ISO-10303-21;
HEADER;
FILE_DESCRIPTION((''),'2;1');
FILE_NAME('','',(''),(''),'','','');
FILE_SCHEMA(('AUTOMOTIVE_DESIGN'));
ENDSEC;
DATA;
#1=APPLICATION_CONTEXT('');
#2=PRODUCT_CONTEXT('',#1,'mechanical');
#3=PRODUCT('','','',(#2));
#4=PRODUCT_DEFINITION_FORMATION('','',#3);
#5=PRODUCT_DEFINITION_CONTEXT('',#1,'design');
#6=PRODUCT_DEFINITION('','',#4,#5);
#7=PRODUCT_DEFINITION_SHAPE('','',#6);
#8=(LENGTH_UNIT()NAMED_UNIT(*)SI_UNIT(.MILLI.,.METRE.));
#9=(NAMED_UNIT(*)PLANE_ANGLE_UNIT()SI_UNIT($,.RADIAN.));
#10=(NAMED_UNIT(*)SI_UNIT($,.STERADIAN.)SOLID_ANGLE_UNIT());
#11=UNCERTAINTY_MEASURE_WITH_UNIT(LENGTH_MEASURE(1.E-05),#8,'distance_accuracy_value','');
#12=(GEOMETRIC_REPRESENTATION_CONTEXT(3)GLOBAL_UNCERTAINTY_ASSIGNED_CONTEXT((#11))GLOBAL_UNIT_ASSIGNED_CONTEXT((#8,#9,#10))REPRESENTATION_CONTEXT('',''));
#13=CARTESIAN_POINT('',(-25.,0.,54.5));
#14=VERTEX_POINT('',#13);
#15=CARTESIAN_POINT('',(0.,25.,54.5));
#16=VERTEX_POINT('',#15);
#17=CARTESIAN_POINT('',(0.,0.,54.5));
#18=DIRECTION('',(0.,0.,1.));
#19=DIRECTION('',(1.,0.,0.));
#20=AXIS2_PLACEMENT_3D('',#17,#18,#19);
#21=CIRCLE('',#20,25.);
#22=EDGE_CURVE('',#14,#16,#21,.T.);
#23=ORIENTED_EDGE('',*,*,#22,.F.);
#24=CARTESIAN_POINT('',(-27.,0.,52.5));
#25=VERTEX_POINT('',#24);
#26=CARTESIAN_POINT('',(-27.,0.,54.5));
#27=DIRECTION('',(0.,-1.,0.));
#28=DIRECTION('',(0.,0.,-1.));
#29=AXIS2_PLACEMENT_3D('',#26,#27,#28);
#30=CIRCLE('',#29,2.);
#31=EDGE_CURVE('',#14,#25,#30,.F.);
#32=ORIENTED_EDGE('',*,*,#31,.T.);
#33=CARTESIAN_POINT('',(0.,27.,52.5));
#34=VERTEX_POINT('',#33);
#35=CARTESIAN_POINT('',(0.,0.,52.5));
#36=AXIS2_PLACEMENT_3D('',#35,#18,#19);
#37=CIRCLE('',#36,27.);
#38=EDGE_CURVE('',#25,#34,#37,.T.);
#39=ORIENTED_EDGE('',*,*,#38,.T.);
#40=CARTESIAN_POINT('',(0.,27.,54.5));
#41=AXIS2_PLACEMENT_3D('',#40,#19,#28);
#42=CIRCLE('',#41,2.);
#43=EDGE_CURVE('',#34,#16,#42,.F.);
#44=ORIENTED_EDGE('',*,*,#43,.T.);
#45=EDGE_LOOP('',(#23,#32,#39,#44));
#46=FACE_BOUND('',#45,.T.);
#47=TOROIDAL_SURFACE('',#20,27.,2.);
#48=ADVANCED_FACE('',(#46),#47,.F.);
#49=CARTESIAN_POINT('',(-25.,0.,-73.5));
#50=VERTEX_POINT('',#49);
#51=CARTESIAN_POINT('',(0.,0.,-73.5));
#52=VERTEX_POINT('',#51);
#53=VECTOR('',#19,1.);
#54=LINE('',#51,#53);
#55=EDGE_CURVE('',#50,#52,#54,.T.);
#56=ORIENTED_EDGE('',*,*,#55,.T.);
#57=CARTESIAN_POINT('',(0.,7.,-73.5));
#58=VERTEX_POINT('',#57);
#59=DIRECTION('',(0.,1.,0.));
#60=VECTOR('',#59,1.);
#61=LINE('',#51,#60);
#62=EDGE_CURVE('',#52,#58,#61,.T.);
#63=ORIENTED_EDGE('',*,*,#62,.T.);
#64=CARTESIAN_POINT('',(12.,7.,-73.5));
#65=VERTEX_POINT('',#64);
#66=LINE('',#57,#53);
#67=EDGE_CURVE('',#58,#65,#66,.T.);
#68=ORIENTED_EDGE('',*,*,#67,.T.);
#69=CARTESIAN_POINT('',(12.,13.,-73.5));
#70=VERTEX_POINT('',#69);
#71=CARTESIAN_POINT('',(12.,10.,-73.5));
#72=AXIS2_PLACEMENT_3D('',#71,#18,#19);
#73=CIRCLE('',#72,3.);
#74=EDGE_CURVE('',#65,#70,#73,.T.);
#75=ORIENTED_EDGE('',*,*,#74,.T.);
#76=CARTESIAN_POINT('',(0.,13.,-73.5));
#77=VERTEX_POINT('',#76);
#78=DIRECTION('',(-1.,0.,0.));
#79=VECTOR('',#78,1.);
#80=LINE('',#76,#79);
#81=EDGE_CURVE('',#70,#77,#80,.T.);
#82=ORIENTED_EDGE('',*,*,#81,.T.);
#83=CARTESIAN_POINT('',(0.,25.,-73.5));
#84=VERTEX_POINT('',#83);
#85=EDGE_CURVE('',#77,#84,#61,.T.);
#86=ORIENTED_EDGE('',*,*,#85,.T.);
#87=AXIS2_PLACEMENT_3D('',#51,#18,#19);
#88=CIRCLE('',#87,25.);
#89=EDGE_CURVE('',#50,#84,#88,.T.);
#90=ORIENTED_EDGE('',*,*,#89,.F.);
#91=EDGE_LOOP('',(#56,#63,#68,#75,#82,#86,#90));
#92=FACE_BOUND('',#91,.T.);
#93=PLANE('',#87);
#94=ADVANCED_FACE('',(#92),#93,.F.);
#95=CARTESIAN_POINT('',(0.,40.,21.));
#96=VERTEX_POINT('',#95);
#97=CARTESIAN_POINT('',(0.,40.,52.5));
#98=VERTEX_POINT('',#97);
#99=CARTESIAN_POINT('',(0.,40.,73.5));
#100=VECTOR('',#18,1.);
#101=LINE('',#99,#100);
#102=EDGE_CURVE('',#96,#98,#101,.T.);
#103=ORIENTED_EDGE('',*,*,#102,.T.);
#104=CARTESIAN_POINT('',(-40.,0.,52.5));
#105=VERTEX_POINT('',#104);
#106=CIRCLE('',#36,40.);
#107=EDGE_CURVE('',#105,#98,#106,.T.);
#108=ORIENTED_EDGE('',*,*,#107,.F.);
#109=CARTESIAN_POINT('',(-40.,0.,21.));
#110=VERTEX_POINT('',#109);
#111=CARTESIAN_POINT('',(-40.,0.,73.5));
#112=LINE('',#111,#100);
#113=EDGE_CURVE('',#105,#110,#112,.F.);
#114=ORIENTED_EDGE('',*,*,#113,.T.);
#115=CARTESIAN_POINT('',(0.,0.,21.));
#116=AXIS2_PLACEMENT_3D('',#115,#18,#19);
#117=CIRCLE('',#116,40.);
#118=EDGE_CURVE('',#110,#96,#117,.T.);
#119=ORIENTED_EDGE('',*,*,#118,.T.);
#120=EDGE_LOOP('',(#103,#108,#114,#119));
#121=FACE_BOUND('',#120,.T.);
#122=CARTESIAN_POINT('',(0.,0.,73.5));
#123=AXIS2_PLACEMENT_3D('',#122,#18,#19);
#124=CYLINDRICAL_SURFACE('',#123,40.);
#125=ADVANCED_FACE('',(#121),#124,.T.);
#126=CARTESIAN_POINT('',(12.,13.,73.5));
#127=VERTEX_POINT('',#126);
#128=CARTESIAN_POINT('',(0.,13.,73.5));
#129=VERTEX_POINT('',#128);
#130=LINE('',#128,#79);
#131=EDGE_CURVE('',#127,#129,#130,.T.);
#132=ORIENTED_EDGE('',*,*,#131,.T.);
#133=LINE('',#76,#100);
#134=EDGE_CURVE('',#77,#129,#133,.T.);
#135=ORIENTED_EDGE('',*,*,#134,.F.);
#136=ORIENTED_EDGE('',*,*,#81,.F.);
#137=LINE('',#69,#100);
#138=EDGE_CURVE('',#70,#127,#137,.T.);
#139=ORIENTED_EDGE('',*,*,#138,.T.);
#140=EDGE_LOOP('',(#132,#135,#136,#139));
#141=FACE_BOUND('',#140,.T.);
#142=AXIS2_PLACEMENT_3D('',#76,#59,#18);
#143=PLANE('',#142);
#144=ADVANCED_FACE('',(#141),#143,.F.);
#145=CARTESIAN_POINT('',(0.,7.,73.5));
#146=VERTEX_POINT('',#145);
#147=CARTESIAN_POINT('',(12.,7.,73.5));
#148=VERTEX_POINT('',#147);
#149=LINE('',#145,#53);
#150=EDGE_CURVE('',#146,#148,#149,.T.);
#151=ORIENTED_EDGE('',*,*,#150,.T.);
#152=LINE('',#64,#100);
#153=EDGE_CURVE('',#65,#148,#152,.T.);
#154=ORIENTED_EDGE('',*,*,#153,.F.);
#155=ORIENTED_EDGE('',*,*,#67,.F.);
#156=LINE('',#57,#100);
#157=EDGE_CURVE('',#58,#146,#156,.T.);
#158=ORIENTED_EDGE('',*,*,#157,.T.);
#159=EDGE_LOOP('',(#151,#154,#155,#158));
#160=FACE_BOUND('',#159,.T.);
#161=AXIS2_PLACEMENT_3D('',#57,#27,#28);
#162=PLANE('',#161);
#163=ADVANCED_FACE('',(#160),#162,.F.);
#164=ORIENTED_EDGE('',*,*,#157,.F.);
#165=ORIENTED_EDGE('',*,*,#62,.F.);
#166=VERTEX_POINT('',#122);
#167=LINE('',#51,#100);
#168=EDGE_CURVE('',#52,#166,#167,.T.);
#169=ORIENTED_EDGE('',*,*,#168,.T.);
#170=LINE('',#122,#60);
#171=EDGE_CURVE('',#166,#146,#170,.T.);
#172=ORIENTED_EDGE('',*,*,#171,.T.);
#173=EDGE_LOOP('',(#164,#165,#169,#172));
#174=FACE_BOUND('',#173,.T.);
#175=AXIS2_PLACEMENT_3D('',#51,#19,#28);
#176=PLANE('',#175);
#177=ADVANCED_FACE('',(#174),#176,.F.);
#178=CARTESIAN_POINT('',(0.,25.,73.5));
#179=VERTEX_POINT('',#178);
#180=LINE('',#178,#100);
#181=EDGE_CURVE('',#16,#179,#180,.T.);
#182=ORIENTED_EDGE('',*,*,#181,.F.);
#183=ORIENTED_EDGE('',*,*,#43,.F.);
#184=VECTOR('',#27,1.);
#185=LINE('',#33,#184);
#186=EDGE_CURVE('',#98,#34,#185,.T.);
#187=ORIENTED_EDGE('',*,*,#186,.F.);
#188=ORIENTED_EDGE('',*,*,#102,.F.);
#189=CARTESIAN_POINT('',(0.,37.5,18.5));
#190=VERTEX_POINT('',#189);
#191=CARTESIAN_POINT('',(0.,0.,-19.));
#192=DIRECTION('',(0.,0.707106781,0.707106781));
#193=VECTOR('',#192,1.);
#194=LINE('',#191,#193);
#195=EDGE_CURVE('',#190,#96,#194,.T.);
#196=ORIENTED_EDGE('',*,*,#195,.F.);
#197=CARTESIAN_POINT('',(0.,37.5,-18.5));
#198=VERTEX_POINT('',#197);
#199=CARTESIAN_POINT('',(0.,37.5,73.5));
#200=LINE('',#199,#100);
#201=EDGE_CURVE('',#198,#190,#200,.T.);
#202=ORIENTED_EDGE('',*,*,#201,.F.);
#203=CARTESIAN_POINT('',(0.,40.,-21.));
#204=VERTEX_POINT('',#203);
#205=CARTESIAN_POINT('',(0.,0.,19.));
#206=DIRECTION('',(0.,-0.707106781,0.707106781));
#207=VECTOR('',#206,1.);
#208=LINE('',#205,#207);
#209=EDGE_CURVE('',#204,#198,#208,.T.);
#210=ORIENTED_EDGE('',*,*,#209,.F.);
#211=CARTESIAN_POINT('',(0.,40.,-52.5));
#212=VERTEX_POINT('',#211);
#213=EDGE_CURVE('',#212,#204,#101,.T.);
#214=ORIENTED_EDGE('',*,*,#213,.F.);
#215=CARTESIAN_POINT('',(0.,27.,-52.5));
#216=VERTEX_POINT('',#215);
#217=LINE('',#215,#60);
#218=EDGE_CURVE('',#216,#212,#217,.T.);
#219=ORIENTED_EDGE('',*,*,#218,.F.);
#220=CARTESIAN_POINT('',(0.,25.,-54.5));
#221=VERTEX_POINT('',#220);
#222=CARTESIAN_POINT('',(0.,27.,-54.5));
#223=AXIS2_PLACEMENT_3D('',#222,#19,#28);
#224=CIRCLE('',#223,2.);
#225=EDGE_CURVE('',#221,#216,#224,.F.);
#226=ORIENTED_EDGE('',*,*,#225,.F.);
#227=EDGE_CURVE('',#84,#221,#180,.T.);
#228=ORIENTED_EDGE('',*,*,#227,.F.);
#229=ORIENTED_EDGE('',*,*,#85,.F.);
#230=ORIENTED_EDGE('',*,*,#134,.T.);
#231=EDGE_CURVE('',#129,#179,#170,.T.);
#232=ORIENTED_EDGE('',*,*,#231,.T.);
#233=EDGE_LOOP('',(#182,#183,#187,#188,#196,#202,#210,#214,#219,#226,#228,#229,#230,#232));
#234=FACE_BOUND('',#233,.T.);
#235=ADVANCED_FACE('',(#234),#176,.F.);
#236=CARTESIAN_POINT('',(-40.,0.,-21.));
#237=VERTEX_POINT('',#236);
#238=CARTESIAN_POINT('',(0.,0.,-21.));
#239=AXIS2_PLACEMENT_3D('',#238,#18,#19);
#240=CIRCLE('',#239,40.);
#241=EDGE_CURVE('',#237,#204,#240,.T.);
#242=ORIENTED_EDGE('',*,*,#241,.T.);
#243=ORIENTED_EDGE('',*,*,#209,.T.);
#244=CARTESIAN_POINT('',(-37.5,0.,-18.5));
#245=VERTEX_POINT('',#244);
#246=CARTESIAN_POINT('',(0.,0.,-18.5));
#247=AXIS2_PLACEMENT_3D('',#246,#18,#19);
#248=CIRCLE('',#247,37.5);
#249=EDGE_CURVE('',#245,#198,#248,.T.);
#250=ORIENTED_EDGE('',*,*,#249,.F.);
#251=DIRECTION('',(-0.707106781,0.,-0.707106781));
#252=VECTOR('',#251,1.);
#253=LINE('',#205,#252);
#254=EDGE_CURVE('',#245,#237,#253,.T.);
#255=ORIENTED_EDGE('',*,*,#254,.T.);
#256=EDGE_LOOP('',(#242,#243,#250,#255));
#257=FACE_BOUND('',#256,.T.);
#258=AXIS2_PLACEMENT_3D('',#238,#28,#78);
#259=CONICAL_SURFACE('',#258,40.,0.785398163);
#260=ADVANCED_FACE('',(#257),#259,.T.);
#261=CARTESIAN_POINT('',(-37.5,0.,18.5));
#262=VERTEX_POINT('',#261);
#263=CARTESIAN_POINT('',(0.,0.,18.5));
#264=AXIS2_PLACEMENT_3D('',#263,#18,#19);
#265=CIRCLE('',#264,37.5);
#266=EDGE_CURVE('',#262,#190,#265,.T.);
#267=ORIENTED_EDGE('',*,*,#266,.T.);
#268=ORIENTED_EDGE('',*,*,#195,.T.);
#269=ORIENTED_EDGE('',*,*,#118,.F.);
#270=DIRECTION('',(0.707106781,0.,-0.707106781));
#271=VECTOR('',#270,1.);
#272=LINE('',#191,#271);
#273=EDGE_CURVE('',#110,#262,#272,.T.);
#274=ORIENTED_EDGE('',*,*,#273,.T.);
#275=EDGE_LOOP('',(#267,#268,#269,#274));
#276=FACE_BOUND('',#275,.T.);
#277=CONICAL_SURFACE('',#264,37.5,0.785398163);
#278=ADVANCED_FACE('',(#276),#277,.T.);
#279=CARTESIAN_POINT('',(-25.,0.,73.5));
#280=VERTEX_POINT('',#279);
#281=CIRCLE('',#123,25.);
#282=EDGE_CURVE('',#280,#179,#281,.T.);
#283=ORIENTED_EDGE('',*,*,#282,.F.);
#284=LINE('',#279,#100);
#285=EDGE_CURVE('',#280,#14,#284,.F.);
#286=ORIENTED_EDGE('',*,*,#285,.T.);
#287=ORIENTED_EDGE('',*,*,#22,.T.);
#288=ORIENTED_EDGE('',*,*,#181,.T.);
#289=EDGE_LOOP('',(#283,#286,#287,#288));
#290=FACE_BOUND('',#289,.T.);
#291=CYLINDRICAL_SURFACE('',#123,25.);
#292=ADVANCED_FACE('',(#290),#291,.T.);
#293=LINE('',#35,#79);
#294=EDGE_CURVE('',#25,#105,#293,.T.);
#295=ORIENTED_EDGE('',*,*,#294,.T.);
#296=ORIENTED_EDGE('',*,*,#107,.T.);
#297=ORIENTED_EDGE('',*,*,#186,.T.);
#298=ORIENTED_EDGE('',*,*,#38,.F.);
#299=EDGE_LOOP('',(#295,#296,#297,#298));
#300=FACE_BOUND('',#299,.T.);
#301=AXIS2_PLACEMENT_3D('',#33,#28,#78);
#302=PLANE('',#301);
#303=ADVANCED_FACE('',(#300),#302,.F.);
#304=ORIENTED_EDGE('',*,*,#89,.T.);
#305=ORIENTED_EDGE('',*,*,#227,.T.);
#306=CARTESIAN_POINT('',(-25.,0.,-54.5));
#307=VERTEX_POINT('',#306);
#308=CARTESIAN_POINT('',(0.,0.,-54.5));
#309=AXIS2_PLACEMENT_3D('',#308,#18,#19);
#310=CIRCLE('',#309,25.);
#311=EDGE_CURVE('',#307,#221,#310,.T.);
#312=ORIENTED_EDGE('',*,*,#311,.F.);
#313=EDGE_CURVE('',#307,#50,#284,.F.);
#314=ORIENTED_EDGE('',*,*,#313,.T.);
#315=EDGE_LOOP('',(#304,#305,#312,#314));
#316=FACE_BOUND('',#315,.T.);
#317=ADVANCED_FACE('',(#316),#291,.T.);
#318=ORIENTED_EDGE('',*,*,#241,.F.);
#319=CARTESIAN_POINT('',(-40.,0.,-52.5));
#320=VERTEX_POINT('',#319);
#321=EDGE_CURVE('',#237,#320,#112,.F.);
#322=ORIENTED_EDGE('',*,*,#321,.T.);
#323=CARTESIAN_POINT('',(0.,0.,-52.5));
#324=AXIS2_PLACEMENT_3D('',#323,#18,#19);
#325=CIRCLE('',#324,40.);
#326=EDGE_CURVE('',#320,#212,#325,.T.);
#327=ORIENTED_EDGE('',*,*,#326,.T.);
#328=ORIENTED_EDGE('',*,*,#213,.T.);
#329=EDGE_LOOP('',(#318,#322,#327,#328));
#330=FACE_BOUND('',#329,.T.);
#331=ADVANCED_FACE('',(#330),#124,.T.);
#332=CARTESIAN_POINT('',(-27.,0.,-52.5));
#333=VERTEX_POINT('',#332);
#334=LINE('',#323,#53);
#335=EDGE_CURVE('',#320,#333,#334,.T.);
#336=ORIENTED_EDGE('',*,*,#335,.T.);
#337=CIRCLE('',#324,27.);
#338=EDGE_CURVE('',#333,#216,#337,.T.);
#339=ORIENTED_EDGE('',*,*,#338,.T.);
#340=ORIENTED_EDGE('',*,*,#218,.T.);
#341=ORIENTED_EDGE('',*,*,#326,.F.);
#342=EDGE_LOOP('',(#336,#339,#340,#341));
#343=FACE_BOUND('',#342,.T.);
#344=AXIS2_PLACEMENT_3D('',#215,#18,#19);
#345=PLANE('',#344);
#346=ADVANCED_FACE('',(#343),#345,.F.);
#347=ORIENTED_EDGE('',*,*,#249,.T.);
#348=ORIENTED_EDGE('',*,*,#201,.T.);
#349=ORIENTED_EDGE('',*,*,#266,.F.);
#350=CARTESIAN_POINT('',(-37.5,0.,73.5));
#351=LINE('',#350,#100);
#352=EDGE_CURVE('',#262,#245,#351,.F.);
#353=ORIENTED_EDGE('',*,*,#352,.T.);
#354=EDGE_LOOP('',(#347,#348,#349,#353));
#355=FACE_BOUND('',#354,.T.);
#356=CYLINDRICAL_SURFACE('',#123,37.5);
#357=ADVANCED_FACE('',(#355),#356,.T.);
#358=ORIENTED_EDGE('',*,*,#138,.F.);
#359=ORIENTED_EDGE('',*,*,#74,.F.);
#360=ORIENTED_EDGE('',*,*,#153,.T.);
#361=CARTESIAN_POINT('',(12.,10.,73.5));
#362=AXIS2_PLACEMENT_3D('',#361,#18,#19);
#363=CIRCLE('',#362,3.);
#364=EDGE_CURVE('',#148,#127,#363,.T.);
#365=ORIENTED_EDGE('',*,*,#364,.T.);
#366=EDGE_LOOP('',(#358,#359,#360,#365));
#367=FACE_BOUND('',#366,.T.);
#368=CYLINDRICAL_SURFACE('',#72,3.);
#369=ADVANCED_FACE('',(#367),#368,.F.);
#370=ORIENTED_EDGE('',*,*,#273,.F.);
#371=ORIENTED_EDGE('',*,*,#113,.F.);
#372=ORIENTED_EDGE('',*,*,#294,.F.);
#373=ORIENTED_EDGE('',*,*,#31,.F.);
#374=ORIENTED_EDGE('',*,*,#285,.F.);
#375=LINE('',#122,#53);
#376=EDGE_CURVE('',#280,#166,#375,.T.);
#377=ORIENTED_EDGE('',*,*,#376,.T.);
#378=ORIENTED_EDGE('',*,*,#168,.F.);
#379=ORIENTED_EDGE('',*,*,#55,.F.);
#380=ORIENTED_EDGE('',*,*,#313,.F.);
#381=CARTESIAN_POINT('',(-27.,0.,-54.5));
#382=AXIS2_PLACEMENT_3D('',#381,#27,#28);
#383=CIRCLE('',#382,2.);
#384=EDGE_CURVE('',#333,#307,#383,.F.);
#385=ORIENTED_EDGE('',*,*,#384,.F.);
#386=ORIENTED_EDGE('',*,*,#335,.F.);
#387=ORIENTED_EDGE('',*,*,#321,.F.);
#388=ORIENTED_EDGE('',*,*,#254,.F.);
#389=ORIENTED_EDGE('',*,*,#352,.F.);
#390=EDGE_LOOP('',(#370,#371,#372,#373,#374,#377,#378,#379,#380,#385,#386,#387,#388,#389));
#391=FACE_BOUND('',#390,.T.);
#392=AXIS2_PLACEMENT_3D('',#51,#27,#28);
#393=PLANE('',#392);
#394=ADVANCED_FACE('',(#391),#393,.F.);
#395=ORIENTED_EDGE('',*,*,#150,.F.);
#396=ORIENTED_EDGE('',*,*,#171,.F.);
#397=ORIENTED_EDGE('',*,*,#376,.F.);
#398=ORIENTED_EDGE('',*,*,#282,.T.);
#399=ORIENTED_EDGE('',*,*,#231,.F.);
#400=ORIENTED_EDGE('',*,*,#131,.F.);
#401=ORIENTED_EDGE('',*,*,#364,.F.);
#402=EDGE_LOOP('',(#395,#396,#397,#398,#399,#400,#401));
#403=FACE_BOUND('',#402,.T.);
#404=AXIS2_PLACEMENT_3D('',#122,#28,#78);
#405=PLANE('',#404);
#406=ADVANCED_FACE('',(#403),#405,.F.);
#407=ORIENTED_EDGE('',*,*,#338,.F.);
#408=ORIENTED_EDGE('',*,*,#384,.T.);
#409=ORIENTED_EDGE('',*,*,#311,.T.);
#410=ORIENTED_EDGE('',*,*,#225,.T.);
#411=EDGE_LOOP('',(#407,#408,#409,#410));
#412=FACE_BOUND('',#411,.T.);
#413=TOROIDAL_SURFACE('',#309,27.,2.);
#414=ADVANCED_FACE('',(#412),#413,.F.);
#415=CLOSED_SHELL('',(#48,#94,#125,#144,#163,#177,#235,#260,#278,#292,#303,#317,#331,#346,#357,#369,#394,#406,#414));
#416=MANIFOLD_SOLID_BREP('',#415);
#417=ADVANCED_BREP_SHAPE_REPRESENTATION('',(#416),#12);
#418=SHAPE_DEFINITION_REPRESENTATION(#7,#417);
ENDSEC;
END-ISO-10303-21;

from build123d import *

# Parameters (mm, degrees)
ENL_V_MAT_EXTRU_1_DEPTH      = 93.748315349
ENL_V_MAT_EXTRU_1_DEPTH_BACK = 93.748315349
ESQUISSE3_W                  = 49.590285902
ESQUISSE3_H                  = 55.327856271
ENL_V_MAT_EXTRU_2_DEPTH      = 93.748315349
ENL_V_MAT_EXTRU_2_DEPTH_BACK = 93.748315349


with BuildPart() as part:
    # Esquisse1 → Révolution1 (revolve)
    with BuildSketch(Plane(origin=(0, 0, 0), x_dir=(0, 0, -1), z_dir=(1, 0, 0)), mode=Mode.PRIVATE) as r_volution1_sk:
        with BuildLine():
            Line((-73.5, 0), (73.5, 0))
            Line((73.5, 0), (73.5, 25))
            Line((73.5, 25), (54.5, 25))
            ThreePointArc((54.5, 25), (53.085786438, 25.585786438), (52.5, 27))
            Line((52.5, 27), (52.5, 40))
            Line((52.5, 40), (21, 40))
            Line((21, 40), (18.5, 37.5))
            Line((18.5, 37.5), (-18.5, 37.5))
            Line((-18.5, 37.5), (-21, 40))
            Line((-21, 40), (-52.5, 40))
            Line((-52.5, 40), (-52.5, 27))
            ThreePointArc((-52.5, 27), (-53.085786438, 25.585786438), (-54.5, 25))
            Line((-54.5, 25), (-73.5, 25))
            Line((-73.5, 25), (-73.5, 0))
        make_face()
    revolve(r_volution1_sk.sketch.rotate(Axis((0, 0, 73.5), (0, 0, -1)), 90), axis=Axis((0, 0, 73.5), (0, 0, -1)))

    # Esquisse3 → Enlèv. mat.-Extru.1 (cut, two sides: drawn at the far end of the back side and taken through both)
    with BuildSketch(Plane.XY.offset(-ENL_V_MAT_EXTRU_1_DEPTH_BACK)):
        with Locations((-24.795142951, 27.663928136)):
            Rectangle(ESQUISSE3_W, ESQUISSE3_H)
    extrude(amount=ENL_V_MAT_EXTRU_1_DEPTH + ENL_V_MAT_EXTRU_1_DEPTH_BACK, mode=Mode.SUBTRACT)

    # Esquisse4 → Enlèv. mat.-Extru.2 (cut, two sides: drawn at the far end of the back side and taken through both)
    with BuildSketch(Plane.XY.offset(-ENL_V_MAT_EXTRU_2_DEPTH_BACK)):
        with BuildLine():
            Line((0, 7), (12, 7))
            ThreePointArc((12, 7), (15, 10), (12, 13))
            Line((12, 13), (0, 13))
            Line((0, 13), (0, 7))
        make_face()
    extrude(amount=ENL_V_MAT_EXTRU_2_DEPTH + ENL_V_MAT_EXTRU_2_DEPTH_BACK, mode=Mode.SUBTRACT)


solid = part.part
